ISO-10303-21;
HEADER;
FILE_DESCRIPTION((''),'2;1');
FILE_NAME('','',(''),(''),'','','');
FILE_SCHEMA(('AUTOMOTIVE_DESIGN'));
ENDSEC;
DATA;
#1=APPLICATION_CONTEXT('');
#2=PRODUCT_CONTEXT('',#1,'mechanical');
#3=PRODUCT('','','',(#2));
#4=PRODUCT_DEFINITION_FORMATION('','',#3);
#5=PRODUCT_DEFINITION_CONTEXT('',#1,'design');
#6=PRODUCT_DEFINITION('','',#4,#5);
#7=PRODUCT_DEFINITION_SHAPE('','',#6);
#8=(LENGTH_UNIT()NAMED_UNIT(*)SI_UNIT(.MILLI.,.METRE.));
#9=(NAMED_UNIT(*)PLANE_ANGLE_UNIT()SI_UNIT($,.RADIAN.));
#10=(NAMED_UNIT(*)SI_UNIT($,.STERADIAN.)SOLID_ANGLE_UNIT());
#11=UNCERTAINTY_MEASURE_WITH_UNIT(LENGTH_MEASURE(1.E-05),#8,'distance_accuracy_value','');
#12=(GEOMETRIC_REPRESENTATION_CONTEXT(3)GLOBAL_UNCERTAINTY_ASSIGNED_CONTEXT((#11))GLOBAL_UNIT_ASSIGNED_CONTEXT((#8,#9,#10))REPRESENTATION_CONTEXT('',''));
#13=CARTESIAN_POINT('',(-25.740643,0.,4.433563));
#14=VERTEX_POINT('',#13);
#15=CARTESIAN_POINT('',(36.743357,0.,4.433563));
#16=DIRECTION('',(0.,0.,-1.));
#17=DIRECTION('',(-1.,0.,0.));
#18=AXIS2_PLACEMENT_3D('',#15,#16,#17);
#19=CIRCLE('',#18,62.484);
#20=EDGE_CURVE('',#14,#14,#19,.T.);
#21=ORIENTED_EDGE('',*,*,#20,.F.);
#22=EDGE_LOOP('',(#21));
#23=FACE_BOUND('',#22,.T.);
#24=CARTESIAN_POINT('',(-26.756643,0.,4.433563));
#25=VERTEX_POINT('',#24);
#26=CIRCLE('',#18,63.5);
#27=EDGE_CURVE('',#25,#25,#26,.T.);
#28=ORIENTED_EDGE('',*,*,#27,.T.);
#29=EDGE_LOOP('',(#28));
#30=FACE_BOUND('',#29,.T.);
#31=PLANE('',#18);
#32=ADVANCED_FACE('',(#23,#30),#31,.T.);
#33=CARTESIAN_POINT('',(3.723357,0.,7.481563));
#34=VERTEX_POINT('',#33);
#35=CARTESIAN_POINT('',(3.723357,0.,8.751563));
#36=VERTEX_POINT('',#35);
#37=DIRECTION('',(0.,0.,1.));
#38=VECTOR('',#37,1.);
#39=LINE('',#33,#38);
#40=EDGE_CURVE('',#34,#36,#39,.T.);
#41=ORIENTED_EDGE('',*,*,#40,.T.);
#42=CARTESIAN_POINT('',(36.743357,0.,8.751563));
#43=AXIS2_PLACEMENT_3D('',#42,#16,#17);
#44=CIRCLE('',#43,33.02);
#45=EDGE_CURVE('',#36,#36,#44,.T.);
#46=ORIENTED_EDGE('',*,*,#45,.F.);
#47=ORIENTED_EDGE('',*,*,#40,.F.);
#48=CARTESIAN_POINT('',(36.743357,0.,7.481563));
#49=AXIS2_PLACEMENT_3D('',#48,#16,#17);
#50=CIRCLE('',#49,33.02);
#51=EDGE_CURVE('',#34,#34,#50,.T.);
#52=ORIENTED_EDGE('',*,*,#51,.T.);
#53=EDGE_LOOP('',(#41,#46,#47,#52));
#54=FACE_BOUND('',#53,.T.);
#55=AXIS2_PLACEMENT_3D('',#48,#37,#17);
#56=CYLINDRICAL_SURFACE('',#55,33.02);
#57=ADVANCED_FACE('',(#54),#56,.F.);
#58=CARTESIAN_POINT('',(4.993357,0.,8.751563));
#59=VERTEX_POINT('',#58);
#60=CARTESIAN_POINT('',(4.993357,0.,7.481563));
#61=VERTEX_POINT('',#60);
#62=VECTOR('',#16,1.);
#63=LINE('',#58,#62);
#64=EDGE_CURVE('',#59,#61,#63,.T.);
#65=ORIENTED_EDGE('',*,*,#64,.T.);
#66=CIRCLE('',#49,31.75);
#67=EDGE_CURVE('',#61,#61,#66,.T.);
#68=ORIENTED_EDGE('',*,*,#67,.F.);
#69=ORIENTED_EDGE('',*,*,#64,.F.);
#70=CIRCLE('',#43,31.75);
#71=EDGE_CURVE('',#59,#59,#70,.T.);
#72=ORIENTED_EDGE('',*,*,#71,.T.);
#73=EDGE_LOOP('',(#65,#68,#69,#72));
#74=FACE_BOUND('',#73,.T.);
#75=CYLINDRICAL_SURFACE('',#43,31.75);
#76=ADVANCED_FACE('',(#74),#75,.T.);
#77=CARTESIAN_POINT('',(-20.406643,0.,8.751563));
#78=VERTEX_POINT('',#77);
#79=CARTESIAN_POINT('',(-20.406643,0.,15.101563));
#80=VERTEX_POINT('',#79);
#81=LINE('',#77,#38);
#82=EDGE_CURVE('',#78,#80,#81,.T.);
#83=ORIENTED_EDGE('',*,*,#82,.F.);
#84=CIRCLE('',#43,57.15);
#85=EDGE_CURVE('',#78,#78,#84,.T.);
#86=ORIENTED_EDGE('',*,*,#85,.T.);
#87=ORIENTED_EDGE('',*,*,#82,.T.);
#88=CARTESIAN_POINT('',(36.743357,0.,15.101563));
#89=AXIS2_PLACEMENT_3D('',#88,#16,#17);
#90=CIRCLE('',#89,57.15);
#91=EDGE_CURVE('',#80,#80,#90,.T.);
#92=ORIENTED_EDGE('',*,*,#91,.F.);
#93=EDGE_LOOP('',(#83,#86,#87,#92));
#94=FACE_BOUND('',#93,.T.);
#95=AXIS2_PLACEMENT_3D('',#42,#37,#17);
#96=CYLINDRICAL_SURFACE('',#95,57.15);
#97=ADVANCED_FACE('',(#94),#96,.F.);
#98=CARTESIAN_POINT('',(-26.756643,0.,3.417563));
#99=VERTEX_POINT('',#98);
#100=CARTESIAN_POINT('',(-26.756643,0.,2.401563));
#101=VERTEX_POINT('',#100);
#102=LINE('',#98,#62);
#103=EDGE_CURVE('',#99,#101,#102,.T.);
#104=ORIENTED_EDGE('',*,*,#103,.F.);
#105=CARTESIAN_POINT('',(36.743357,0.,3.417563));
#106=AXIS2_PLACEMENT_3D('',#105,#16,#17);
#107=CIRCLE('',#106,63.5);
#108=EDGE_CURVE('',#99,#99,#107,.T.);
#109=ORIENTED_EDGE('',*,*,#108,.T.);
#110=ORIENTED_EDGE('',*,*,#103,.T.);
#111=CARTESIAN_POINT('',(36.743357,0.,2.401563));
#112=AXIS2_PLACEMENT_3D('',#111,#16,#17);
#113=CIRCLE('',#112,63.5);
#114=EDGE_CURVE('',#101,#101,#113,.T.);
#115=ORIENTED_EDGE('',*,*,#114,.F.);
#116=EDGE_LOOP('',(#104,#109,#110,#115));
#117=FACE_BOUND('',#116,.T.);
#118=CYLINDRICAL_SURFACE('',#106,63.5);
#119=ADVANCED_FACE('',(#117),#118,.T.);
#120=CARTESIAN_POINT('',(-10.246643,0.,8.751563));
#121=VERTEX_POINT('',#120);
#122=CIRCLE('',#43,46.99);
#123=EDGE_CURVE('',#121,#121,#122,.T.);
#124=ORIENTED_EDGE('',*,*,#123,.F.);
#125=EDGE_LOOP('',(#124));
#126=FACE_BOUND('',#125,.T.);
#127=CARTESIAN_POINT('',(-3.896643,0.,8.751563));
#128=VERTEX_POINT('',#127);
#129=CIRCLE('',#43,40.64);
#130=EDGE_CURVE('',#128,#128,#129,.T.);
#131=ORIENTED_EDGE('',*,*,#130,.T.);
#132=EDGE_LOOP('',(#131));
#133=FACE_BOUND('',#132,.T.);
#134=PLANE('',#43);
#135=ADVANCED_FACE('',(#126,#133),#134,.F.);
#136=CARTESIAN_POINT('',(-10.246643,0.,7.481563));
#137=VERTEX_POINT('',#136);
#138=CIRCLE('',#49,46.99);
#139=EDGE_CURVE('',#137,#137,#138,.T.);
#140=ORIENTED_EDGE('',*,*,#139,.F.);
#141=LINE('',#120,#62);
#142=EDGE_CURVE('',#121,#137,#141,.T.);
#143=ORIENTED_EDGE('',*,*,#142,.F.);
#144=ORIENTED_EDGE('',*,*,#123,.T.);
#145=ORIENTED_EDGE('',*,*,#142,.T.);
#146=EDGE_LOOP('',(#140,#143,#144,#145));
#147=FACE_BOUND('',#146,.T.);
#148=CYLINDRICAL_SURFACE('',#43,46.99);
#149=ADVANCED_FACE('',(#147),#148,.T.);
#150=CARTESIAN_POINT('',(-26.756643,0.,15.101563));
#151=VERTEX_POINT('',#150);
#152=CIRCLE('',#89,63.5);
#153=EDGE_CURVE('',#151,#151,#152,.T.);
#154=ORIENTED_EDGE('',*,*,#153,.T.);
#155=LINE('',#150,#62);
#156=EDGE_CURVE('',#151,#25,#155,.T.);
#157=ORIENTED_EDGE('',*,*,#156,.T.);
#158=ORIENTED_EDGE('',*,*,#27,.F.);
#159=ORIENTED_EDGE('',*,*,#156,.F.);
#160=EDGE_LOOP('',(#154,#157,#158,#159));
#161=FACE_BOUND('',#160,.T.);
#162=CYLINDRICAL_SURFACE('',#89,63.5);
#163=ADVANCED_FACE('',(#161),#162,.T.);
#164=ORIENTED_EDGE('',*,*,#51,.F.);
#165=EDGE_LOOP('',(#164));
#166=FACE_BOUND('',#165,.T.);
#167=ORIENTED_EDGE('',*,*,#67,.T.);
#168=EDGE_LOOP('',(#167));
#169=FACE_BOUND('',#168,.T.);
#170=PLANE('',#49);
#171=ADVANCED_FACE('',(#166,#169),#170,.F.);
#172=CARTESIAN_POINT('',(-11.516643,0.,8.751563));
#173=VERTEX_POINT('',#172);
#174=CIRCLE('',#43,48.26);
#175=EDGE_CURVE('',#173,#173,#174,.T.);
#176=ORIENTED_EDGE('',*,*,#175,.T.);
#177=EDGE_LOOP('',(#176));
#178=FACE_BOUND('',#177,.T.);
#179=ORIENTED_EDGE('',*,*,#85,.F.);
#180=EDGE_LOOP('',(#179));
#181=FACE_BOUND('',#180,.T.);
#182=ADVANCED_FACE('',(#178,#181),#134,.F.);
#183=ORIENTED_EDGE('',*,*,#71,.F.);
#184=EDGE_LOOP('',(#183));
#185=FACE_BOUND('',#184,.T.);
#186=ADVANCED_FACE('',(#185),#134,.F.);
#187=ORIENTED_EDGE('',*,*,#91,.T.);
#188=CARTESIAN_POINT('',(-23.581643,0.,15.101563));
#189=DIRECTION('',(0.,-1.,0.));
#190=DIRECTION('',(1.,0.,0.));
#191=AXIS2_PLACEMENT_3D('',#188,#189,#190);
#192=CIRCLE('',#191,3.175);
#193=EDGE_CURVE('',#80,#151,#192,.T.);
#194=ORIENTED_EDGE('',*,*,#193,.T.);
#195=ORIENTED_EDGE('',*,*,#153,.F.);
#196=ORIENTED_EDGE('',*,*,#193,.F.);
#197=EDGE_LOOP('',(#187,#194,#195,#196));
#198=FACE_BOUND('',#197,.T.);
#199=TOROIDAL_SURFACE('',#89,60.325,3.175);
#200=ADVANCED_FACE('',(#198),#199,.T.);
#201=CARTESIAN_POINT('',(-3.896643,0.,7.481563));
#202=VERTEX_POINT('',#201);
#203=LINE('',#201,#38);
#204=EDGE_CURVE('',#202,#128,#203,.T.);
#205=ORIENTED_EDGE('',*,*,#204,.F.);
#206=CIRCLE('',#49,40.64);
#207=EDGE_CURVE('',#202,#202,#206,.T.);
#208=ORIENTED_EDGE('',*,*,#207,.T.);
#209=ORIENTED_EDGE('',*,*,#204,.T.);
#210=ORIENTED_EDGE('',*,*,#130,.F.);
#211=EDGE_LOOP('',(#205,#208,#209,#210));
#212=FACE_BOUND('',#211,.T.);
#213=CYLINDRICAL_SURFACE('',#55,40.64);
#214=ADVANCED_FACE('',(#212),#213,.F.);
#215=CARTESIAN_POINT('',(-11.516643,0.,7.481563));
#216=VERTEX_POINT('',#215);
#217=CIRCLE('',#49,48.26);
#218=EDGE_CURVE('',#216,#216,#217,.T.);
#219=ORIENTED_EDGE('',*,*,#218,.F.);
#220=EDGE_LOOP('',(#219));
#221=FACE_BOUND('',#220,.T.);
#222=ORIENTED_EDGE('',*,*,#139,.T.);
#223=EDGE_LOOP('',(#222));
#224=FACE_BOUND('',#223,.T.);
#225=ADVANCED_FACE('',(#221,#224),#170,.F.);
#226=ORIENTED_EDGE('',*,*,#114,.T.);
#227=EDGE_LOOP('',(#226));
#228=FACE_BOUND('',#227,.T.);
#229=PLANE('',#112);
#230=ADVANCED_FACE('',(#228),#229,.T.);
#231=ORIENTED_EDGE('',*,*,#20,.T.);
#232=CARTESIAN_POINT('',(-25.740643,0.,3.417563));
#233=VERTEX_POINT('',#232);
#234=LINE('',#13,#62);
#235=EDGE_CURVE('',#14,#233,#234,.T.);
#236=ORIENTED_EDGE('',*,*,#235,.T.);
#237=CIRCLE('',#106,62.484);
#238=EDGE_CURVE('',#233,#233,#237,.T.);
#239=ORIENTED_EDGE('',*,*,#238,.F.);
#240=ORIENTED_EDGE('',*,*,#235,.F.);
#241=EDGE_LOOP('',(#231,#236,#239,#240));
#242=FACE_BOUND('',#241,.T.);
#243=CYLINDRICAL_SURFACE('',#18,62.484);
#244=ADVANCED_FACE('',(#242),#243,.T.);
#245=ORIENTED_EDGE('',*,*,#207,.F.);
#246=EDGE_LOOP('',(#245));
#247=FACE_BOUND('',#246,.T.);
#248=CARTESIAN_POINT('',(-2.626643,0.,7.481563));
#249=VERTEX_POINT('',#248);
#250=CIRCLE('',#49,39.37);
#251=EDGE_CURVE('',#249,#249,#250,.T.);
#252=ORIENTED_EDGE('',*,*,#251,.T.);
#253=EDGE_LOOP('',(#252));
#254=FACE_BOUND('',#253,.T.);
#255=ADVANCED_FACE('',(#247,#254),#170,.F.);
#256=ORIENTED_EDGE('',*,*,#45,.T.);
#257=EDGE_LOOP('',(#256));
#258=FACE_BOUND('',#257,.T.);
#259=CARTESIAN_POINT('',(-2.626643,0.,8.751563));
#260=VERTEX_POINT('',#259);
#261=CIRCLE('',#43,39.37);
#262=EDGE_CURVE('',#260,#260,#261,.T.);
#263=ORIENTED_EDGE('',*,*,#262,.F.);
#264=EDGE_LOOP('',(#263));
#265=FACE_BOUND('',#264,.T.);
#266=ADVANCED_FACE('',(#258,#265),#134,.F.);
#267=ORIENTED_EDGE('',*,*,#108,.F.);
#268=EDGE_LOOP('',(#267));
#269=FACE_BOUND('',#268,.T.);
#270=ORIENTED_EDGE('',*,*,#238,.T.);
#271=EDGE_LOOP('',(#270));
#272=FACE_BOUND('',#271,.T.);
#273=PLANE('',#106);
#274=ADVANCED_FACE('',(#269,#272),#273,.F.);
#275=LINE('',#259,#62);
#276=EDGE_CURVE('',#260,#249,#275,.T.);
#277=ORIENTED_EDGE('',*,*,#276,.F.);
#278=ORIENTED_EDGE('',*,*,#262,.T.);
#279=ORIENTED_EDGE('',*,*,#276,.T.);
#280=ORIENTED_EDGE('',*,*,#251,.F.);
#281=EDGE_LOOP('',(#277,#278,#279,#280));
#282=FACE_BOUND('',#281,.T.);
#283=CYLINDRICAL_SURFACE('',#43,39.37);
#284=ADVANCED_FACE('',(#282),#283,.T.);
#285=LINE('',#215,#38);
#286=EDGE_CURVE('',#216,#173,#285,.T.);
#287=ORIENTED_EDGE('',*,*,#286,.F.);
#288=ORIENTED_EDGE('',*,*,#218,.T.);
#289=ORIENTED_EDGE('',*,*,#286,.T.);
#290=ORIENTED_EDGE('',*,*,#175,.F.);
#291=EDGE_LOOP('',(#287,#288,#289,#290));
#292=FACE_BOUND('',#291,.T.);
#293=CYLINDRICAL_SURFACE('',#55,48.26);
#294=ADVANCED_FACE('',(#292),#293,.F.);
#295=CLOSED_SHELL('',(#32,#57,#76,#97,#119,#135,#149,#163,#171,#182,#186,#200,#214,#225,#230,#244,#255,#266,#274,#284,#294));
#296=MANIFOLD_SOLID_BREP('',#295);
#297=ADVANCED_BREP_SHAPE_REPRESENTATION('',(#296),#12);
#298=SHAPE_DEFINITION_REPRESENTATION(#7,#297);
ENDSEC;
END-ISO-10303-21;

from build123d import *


with BuildPart() as f1:
    # F0 (on Front) → F1 (revolve)
    with BuildSketch(Plane.XZ):
        with BuildLine():
            Line((36.743357, 2.401563), (36.743357, 8.751563))
            Line((36.743357, 8.751563), (4.993357, 8.751563))
            Line((4.993357, 8.751563), (4.993357, 7.481563))
            Line((4.993357, 7.481563), (3.723357, 7.481563))
            Line((3.723357, 7.481563), (3.723357, 8.751563))
            Line((3.723357, 8.751563), (-2.626643, 8.751563))
            Line((-2.626643, 8.751563), (-2.626643, 7.481563))
            Line((-2.626643, 7.481563), (-3.896643, 7.481563))
            Line((-3.896643, 7.481563), (-3.896643, 8.751563))
            Line((-3.896643, 8.751563), (-10.246643, 8.751563))
            Line((-10.246643, 8.751563), (-10.246643, 7.481563))
            Line((-10.246643, 7.481563), (-11.516643, 7.481563))
            Line((-11.516643, 7.481563), (-11.516643, 8.751563))
            Line((-11.516643, 8.751563), (-20.406643, 8.751563))
            Line((-20.406643, 8.751563), (-20.406643, 15.101563))
            ThreePointArc((-20.406643, 15.101563), (-23.581643, 18.276563), (-26.756643, 15.101563))
            Line((-26.756643, 15.101563), (-26.756643, 4.433563))
            Line((-26.756643, 4.433563), (-25.740643, 4.433563))
            Line((-25.740643, 4.433563), (-25.740643, 3.417563))
            Line((-25.740643, 3.417563), (-26.756643, 3.417563))
            Line((-26.756643, 3.417563), (-26.756643, 2.401563))
            Line((-26.756643, 2.401563), (36.743357, 2.401563))
        make_face()
    revolve(axis=Axis((36.743357, 0, 5.576563), (0, 0, -1)))


solid = f1.part
